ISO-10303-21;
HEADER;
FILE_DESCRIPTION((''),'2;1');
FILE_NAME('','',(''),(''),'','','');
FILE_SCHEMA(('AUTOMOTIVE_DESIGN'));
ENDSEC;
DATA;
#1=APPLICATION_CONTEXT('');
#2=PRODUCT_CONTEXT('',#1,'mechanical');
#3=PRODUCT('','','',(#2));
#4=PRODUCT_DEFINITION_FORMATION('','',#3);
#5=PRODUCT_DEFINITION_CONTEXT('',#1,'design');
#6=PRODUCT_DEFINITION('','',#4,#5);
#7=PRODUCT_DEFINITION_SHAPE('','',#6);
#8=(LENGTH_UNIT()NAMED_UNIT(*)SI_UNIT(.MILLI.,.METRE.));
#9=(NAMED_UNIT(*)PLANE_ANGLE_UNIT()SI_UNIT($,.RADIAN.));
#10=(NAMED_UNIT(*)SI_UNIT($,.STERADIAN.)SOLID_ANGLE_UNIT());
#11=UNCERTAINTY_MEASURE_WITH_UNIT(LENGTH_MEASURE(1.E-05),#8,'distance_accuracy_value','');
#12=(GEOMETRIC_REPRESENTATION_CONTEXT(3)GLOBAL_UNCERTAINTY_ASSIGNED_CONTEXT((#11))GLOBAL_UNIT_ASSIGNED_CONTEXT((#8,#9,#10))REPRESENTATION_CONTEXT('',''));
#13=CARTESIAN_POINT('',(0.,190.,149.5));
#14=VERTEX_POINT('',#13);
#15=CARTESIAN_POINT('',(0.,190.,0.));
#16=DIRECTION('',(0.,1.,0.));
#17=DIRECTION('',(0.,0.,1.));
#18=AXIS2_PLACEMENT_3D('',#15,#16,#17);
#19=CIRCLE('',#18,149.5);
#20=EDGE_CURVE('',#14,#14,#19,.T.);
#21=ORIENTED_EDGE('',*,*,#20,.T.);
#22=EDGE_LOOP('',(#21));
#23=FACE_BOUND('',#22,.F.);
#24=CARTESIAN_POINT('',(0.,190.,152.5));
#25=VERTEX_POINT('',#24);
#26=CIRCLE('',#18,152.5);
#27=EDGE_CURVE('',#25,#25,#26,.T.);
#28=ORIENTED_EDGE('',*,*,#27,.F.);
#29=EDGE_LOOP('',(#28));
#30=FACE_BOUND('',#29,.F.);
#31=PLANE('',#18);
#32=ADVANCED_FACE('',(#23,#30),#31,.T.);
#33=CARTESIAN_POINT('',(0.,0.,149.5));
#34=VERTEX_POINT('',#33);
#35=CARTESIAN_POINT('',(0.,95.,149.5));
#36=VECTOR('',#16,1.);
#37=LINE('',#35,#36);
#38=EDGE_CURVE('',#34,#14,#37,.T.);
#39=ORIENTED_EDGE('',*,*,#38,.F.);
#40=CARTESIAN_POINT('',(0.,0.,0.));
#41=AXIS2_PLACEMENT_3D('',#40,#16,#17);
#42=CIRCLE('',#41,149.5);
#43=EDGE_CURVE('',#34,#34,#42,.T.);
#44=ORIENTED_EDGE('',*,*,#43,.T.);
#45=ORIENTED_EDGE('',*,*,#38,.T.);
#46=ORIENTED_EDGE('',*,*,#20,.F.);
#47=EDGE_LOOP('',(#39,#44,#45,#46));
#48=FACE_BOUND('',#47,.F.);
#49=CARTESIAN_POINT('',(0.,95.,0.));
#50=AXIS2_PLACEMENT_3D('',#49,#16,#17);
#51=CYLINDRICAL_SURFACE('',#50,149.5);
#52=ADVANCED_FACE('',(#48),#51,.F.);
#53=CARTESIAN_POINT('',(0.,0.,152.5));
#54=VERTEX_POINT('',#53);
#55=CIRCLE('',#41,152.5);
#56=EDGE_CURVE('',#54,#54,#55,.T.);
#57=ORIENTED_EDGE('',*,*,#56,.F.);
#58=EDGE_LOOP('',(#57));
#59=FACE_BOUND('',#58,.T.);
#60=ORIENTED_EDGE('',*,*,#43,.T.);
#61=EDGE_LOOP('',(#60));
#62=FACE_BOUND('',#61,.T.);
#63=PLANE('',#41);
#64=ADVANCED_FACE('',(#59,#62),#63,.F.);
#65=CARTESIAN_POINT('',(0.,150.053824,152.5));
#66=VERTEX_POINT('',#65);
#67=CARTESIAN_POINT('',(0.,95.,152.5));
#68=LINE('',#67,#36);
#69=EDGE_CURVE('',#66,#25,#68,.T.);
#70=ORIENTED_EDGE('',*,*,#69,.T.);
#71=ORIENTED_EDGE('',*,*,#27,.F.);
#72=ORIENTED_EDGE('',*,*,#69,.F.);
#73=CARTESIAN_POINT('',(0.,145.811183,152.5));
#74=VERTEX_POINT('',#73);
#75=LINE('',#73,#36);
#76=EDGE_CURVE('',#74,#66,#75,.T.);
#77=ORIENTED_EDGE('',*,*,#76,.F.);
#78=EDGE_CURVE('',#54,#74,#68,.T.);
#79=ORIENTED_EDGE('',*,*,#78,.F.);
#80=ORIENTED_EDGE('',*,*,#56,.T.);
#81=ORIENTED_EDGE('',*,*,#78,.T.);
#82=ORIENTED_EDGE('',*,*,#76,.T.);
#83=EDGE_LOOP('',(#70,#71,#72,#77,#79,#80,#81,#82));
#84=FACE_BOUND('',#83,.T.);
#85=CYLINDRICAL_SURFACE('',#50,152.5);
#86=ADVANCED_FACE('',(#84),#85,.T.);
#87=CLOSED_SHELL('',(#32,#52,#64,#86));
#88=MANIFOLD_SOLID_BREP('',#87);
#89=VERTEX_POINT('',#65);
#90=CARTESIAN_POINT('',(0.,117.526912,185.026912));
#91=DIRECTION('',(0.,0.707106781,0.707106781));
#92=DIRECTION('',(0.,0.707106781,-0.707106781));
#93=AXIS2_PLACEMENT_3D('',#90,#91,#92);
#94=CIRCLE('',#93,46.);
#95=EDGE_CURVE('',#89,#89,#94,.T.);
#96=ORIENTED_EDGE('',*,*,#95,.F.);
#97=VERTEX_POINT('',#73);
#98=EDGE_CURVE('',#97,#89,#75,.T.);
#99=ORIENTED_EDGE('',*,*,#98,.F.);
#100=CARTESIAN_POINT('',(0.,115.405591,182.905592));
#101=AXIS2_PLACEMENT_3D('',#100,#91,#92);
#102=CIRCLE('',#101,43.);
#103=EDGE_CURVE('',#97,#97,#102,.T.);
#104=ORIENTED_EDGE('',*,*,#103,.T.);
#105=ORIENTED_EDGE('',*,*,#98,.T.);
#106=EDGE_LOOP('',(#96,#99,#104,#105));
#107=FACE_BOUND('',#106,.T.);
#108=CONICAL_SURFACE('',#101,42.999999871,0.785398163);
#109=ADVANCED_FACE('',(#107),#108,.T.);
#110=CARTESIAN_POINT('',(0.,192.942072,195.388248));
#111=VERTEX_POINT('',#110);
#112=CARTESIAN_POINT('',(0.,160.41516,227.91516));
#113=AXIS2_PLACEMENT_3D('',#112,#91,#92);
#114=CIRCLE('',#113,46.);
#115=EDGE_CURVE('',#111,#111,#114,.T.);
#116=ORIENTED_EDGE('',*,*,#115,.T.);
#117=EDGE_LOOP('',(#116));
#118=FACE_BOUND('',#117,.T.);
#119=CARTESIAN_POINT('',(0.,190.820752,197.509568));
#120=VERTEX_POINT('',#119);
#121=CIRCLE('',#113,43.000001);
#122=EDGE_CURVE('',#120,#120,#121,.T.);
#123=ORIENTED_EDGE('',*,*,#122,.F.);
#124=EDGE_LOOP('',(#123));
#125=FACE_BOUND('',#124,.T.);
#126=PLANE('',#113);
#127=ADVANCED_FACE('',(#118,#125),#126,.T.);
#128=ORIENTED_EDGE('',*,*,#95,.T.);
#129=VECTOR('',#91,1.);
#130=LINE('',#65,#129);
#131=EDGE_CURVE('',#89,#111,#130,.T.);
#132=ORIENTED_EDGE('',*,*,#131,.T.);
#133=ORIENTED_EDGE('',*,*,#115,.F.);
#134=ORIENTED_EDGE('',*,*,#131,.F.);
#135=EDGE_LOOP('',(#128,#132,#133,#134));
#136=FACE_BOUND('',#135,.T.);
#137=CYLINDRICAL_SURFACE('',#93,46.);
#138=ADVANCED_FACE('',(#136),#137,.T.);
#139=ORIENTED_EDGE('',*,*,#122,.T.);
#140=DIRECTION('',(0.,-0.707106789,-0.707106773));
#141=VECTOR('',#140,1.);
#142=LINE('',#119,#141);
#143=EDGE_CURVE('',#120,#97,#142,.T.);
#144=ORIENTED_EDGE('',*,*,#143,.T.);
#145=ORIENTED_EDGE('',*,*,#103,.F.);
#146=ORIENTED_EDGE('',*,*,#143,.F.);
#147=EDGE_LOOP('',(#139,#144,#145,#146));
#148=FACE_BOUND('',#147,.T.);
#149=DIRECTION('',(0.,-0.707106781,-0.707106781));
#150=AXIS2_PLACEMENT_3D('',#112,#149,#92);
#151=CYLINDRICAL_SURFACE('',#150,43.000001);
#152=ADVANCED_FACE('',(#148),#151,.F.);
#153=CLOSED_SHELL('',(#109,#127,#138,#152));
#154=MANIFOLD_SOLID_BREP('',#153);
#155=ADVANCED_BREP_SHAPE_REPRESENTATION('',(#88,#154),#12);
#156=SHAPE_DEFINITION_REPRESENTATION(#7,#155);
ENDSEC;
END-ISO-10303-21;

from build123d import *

# Parameters (mm, degrees)
F0_W = 190
F0_H = 3


with BuildPart() as f1:
    # F0 (on Right) → F1 (revolve)
    with BuildSketch(Plane.YZ):
        with Locations((95, 151)):
            Rectangle(F0_W, F0_H)
    revolve(axis=Axis((0, 313.279984, 0), (0, 1, 0)))

    # F2 (on Right) → F3 (revolve)
    with BuildSketch(Plane.YZ):
        Polygon((190.820752, 197.509568), (145.811183, 152.5), (150.053824, 152.5), (192.942072, 195.388248), align=None)
    revolve(axis=Axis((0, 111.468418, 178.968418), (0, 0.707107, 0.707107)))


solid = f1.part
